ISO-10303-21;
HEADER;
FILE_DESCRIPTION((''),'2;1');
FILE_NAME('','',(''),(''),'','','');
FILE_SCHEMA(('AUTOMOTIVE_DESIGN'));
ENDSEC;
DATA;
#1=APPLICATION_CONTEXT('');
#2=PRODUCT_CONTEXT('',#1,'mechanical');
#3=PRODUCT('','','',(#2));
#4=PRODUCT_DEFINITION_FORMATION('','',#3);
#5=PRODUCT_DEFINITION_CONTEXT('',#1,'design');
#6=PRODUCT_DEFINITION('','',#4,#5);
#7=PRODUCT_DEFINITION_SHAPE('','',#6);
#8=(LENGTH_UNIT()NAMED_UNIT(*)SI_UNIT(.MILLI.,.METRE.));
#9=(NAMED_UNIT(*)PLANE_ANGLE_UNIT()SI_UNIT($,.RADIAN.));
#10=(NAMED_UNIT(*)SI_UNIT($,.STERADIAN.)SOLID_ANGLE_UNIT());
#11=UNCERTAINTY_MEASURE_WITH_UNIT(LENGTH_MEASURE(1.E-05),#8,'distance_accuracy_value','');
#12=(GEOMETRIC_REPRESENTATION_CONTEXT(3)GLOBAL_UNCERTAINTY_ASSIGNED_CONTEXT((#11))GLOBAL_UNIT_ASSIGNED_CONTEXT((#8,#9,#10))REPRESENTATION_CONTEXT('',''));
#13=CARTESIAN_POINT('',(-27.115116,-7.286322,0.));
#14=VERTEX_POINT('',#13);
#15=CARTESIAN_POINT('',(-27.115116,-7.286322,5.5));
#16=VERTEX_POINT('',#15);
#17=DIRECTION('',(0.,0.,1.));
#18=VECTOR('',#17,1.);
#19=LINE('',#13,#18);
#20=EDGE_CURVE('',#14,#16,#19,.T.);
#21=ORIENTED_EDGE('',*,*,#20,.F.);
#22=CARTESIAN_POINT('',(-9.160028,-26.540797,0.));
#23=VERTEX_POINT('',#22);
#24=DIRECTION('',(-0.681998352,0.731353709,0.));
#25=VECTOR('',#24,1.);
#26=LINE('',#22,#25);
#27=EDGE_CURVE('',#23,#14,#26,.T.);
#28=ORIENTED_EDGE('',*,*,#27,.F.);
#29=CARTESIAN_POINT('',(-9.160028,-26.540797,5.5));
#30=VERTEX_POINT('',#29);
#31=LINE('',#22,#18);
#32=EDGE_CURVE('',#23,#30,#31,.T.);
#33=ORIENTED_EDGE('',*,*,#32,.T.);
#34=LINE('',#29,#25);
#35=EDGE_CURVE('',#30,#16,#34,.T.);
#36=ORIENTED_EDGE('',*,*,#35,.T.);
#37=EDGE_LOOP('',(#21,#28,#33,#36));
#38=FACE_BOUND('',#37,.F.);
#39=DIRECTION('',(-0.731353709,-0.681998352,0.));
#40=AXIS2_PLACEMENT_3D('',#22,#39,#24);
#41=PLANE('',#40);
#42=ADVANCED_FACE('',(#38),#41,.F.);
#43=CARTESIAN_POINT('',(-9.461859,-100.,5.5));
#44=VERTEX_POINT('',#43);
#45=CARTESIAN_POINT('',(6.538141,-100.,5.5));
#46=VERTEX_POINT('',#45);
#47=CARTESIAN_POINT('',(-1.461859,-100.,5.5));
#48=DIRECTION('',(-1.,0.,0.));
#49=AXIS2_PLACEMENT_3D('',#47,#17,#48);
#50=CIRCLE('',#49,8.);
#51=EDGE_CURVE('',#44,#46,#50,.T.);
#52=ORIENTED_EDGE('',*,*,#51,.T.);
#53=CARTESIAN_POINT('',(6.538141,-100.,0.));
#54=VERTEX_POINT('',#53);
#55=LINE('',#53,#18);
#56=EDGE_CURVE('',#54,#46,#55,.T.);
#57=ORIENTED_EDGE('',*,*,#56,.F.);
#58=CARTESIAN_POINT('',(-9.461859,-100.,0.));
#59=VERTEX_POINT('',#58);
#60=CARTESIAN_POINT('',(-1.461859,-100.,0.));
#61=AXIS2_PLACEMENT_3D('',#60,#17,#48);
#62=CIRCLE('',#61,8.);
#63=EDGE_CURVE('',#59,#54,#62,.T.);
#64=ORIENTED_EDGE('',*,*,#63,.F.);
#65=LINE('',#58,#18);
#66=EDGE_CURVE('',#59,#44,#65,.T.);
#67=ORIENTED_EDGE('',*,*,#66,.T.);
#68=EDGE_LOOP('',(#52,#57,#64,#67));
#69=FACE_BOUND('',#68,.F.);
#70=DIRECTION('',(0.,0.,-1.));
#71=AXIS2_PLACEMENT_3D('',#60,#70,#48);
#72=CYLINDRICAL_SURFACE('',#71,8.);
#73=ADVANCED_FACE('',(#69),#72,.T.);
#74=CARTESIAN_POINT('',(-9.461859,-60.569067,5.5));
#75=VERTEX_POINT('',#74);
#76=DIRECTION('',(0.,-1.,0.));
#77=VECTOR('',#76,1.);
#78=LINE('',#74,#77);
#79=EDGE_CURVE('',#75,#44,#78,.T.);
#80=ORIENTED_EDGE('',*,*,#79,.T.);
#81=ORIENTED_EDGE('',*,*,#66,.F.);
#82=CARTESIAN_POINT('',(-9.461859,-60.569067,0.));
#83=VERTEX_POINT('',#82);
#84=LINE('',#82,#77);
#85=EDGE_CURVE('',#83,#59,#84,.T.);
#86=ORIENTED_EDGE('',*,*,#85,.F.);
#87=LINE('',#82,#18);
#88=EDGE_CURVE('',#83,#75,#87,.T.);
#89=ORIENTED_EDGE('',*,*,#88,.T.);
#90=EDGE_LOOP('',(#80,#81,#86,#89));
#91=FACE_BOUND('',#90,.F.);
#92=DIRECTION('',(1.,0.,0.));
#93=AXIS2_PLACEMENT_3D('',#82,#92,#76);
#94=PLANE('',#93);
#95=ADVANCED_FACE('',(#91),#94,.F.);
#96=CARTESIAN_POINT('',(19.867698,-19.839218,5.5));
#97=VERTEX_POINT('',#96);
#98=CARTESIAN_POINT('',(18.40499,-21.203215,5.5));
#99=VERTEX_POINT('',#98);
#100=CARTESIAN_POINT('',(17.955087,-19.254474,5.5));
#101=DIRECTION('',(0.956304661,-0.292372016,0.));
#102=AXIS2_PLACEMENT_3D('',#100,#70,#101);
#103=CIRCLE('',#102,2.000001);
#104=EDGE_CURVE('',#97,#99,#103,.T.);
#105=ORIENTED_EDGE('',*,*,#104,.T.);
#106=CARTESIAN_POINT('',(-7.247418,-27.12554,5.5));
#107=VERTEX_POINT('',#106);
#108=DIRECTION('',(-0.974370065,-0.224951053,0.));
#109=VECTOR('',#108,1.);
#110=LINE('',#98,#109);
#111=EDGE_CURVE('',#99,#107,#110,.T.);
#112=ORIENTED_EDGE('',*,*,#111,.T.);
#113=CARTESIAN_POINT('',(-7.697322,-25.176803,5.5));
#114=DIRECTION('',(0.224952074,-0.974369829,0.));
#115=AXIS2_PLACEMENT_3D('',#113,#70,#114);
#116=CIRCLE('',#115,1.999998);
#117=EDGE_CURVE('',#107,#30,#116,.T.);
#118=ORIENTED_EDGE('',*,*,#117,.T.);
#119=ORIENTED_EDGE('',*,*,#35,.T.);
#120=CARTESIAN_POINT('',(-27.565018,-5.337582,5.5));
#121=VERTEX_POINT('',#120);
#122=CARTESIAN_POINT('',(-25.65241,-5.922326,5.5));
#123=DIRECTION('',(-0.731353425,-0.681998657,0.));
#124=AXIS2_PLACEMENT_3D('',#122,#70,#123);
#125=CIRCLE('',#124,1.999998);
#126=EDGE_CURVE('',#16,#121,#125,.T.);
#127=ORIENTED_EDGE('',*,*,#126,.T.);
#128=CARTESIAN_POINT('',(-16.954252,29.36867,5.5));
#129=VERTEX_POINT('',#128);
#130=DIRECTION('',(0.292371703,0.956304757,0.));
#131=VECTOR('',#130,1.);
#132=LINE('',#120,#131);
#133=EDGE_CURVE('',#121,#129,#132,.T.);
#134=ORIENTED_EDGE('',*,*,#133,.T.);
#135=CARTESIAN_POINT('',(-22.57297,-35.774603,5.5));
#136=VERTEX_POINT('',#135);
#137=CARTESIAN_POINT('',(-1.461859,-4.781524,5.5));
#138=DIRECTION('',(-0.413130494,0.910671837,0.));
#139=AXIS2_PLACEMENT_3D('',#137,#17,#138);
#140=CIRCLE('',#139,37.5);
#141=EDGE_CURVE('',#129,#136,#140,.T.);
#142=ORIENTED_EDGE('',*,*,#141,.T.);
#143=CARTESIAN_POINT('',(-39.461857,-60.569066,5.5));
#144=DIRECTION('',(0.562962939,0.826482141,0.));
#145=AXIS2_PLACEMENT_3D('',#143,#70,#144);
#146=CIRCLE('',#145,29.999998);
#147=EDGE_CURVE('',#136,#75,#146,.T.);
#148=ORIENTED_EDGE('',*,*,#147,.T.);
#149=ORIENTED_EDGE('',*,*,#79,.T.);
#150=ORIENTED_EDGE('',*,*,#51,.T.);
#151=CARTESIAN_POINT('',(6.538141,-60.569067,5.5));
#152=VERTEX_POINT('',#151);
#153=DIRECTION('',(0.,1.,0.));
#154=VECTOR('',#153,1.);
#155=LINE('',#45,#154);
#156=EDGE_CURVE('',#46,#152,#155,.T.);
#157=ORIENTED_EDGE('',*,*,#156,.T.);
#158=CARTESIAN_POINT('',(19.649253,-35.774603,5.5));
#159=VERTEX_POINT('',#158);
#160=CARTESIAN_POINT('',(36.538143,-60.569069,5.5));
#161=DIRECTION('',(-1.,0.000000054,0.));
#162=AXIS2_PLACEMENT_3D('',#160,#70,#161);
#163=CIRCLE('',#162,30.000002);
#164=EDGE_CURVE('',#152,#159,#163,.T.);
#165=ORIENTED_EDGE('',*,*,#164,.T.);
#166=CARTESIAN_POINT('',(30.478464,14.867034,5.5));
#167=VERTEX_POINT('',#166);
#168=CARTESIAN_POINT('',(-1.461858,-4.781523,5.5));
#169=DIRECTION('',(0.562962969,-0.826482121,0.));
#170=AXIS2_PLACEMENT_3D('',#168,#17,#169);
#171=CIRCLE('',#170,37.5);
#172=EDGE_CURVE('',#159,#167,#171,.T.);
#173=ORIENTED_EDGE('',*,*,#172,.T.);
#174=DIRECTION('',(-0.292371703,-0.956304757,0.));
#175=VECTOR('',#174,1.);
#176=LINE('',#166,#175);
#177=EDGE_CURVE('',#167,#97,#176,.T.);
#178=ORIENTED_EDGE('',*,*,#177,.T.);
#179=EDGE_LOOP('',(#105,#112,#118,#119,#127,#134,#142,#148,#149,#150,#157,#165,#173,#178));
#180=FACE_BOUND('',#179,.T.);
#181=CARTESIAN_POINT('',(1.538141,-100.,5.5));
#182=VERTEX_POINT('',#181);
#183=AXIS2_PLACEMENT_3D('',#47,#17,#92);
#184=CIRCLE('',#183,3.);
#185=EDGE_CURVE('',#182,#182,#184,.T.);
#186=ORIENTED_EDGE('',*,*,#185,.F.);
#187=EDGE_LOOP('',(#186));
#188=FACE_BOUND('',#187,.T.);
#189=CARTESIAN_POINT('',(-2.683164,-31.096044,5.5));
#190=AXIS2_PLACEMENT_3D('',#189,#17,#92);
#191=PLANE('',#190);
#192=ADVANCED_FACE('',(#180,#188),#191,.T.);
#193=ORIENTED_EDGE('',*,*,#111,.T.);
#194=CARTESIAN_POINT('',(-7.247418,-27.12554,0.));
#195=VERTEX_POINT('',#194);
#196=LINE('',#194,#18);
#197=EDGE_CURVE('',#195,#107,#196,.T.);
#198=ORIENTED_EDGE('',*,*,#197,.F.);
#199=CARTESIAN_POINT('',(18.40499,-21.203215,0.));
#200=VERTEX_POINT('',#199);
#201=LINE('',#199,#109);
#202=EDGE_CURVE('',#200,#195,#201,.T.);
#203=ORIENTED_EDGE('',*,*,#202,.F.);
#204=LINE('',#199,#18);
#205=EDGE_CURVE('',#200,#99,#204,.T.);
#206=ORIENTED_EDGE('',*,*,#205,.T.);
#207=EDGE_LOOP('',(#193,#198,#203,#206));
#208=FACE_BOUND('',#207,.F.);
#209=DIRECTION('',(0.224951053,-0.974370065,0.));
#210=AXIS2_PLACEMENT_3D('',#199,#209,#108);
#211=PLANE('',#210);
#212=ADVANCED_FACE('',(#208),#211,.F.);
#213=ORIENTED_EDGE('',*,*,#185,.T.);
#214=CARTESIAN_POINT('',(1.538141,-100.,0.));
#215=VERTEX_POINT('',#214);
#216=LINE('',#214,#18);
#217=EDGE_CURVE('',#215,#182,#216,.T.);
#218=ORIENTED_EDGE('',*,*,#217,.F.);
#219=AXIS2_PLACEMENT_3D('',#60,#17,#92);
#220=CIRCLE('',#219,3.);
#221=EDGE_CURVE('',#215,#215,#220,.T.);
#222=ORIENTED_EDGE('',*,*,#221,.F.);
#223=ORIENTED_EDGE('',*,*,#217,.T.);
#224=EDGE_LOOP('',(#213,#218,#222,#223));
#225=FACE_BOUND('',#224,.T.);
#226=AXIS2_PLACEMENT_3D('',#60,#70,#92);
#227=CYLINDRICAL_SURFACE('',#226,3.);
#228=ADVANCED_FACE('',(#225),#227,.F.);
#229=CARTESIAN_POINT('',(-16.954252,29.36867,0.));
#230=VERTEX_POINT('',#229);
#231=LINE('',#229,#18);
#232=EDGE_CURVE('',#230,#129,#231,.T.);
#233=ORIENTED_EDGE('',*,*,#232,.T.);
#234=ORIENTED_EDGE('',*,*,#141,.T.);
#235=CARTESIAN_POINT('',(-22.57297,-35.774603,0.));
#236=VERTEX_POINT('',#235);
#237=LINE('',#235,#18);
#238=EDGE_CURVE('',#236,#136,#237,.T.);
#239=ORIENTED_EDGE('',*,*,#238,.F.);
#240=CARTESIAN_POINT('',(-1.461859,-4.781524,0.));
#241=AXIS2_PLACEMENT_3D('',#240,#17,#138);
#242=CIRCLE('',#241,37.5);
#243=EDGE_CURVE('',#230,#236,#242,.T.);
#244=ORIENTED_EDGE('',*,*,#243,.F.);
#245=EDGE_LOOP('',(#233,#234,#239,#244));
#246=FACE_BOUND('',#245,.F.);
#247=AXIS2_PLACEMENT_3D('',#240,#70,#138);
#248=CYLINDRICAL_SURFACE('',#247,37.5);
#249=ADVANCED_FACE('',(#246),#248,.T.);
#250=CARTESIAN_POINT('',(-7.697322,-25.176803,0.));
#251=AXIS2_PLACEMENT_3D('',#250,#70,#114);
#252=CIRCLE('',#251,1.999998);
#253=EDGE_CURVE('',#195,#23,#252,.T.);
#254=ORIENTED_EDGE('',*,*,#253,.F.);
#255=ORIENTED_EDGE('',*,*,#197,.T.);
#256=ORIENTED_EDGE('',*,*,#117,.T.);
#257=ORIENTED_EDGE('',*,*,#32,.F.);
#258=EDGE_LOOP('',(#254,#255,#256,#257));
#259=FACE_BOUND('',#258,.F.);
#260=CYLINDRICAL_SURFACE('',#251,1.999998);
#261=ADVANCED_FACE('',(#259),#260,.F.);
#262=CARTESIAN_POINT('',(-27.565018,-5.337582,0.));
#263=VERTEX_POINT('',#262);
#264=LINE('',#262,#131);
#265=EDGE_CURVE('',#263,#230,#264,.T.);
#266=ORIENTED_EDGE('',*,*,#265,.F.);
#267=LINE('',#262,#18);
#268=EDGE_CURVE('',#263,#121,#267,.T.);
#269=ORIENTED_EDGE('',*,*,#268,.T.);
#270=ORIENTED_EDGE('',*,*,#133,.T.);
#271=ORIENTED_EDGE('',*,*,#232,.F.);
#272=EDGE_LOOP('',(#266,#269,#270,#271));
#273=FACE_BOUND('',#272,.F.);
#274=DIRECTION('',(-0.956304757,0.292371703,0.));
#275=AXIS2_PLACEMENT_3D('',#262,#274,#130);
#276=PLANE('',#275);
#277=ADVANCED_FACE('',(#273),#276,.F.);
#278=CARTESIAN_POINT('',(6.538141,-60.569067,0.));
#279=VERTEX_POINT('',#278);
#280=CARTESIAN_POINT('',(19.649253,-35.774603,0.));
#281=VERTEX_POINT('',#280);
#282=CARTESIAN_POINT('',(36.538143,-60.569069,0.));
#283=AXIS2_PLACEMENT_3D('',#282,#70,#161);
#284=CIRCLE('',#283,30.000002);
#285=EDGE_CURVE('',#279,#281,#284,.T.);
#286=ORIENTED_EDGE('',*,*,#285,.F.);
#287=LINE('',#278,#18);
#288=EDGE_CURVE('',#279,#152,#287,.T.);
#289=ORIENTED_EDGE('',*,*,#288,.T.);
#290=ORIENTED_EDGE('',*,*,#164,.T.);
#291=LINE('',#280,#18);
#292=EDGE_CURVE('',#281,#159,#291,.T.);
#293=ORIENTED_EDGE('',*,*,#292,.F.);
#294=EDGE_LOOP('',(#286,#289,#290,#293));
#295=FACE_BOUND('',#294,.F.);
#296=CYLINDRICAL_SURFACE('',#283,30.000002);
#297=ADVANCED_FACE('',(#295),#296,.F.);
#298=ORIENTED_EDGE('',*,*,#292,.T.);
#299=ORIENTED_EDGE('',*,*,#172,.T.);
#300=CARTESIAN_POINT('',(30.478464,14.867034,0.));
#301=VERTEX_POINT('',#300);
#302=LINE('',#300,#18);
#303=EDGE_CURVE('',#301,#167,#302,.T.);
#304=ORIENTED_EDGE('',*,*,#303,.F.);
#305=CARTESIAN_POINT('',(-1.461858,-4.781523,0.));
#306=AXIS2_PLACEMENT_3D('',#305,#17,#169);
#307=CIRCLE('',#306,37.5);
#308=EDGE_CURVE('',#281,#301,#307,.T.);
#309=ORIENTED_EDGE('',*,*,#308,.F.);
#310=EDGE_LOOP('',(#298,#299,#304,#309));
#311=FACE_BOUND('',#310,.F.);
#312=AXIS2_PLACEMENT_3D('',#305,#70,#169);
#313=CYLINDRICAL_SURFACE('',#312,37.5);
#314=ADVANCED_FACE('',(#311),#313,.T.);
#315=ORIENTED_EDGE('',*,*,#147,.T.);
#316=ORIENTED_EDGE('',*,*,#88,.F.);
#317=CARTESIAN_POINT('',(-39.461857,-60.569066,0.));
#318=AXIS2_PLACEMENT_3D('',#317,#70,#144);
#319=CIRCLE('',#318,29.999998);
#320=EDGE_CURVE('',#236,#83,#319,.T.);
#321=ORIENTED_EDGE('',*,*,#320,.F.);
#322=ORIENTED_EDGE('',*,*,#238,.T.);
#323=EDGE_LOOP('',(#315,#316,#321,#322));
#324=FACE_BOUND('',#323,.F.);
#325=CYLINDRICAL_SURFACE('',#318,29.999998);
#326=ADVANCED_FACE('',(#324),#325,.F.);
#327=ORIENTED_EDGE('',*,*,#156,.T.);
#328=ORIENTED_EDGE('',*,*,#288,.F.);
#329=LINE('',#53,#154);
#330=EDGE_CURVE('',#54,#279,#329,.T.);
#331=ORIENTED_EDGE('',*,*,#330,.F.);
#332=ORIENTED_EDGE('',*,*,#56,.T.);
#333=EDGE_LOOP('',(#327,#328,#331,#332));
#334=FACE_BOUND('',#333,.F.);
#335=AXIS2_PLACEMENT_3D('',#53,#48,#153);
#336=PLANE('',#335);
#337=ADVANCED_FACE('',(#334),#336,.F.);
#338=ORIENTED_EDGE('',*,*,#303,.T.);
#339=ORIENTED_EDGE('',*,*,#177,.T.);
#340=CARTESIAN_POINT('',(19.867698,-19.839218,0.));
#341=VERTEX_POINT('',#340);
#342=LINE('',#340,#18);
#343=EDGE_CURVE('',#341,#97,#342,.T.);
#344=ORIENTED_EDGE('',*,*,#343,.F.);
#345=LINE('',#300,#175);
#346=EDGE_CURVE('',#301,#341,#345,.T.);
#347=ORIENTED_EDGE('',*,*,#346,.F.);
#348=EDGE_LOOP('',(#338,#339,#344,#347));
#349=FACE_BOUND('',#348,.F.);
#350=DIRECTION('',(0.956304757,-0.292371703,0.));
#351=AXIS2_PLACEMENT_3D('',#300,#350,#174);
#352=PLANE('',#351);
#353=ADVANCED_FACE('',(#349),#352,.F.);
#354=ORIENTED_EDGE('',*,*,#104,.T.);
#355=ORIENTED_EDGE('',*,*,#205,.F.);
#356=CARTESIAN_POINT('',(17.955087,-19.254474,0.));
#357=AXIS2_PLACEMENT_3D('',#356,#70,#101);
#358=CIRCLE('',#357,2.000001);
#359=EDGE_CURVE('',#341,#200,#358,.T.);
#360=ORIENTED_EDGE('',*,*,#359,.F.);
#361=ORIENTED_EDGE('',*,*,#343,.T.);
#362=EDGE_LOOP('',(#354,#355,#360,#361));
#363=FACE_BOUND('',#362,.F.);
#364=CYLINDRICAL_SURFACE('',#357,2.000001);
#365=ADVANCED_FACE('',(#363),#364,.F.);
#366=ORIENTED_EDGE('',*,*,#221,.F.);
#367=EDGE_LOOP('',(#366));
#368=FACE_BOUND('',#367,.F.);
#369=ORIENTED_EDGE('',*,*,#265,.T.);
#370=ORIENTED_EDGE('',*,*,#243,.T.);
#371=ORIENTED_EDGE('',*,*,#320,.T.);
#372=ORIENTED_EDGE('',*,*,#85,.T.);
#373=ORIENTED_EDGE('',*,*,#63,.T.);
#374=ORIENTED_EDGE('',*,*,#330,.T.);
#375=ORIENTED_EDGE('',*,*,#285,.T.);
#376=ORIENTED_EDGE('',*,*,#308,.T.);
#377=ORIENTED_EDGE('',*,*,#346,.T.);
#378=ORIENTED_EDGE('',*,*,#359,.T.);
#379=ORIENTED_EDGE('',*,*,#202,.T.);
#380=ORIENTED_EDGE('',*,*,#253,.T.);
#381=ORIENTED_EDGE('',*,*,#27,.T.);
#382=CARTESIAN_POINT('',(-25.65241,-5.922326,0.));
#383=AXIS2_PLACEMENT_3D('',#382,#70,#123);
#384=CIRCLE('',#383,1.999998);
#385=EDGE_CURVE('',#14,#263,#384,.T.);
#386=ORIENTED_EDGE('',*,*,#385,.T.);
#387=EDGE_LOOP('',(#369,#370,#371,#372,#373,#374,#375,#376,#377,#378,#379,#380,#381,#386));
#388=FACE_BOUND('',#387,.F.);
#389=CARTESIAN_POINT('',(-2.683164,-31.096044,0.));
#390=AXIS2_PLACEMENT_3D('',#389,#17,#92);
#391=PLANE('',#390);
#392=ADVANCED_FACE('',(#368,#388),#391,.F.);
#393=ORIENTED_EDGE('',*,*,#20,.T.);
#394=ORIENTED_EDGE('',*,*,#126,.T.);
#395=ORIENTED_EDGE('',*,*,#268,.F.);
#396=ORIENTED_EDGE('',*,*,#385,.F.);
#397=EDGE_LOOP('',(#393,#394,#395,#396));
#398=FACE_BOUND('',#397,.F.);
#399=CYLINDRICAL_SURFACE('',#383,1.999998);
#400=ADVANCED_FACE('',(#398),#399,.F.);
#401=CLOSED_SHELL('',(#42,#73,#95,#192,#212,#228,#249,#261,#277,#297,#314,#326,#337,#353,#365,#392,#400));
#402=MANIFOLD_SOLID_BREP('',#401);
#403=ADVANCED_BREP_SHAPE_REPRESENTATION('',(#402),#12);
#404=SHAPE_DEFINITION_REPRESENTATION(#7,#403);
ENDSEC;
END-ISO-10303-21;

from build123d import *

# Parameters (mm, degrees)
F0_R     = 3
F1_DEPTH = 5.5


with BuildPart() as f1:
    # F0 (on Top) → F1 (new body)
    with BuildSketch(Plane.XY):
        with BuildLine():
            ThreePointArc((19.649253, -35.774603), (35.209077, -12.623239), (30.478464, 14.867034))
            Line((30.478464, 14.867034), (19.867698, -19.839218))
            ThreePointArc((19.867698, -19.839218), (19.319085, -20.717182), (18.40499, -21.203215))
            Line((18.40499, -21.203215), (-7.247418, -27.12554))
            ThreePointArc((-7.247418, -27.12554), (-8.282064, -27.08941), (-9.160028, -26.540797))
            Line((-9.160028, -26.540797), (-27.115116, -7.286322))
            ThreePointArc((-27.115116, -7.286322), (-27.601149, -6.372227), (-27.565018, -5.337582))
            Line((-27.565018, -5.337582), (-16.954252, 29.36867))
            ThreePointArc((-16.954252, 29.36867), (-38.823144, -1.55905), (-22.57297, -35.774603))
            ThreePointArc((-22.57297, -35.774603), (-12.941426, -46.545278), (-9.461859, -60.569067))
            Line((-9.461859, -60.569067), (-9.461859, -100))
            ThreePointArc((-9.461859, -100), (-1.461859, -108), (6.538141, -100))
            Line((6.538141, -100), (6.538141, -60.569067))
            ThreePointArc((6.538141, -60.569067), (10.017709, -46.545278), (19.649253, -35.774603))
        make_face()
        with Locations((-1.461859, -100)):
            Circle(F0_R, mode=Mode.SUBTRACT)
    extrude(amount=F1_DEPTH)


solid = f1.part
